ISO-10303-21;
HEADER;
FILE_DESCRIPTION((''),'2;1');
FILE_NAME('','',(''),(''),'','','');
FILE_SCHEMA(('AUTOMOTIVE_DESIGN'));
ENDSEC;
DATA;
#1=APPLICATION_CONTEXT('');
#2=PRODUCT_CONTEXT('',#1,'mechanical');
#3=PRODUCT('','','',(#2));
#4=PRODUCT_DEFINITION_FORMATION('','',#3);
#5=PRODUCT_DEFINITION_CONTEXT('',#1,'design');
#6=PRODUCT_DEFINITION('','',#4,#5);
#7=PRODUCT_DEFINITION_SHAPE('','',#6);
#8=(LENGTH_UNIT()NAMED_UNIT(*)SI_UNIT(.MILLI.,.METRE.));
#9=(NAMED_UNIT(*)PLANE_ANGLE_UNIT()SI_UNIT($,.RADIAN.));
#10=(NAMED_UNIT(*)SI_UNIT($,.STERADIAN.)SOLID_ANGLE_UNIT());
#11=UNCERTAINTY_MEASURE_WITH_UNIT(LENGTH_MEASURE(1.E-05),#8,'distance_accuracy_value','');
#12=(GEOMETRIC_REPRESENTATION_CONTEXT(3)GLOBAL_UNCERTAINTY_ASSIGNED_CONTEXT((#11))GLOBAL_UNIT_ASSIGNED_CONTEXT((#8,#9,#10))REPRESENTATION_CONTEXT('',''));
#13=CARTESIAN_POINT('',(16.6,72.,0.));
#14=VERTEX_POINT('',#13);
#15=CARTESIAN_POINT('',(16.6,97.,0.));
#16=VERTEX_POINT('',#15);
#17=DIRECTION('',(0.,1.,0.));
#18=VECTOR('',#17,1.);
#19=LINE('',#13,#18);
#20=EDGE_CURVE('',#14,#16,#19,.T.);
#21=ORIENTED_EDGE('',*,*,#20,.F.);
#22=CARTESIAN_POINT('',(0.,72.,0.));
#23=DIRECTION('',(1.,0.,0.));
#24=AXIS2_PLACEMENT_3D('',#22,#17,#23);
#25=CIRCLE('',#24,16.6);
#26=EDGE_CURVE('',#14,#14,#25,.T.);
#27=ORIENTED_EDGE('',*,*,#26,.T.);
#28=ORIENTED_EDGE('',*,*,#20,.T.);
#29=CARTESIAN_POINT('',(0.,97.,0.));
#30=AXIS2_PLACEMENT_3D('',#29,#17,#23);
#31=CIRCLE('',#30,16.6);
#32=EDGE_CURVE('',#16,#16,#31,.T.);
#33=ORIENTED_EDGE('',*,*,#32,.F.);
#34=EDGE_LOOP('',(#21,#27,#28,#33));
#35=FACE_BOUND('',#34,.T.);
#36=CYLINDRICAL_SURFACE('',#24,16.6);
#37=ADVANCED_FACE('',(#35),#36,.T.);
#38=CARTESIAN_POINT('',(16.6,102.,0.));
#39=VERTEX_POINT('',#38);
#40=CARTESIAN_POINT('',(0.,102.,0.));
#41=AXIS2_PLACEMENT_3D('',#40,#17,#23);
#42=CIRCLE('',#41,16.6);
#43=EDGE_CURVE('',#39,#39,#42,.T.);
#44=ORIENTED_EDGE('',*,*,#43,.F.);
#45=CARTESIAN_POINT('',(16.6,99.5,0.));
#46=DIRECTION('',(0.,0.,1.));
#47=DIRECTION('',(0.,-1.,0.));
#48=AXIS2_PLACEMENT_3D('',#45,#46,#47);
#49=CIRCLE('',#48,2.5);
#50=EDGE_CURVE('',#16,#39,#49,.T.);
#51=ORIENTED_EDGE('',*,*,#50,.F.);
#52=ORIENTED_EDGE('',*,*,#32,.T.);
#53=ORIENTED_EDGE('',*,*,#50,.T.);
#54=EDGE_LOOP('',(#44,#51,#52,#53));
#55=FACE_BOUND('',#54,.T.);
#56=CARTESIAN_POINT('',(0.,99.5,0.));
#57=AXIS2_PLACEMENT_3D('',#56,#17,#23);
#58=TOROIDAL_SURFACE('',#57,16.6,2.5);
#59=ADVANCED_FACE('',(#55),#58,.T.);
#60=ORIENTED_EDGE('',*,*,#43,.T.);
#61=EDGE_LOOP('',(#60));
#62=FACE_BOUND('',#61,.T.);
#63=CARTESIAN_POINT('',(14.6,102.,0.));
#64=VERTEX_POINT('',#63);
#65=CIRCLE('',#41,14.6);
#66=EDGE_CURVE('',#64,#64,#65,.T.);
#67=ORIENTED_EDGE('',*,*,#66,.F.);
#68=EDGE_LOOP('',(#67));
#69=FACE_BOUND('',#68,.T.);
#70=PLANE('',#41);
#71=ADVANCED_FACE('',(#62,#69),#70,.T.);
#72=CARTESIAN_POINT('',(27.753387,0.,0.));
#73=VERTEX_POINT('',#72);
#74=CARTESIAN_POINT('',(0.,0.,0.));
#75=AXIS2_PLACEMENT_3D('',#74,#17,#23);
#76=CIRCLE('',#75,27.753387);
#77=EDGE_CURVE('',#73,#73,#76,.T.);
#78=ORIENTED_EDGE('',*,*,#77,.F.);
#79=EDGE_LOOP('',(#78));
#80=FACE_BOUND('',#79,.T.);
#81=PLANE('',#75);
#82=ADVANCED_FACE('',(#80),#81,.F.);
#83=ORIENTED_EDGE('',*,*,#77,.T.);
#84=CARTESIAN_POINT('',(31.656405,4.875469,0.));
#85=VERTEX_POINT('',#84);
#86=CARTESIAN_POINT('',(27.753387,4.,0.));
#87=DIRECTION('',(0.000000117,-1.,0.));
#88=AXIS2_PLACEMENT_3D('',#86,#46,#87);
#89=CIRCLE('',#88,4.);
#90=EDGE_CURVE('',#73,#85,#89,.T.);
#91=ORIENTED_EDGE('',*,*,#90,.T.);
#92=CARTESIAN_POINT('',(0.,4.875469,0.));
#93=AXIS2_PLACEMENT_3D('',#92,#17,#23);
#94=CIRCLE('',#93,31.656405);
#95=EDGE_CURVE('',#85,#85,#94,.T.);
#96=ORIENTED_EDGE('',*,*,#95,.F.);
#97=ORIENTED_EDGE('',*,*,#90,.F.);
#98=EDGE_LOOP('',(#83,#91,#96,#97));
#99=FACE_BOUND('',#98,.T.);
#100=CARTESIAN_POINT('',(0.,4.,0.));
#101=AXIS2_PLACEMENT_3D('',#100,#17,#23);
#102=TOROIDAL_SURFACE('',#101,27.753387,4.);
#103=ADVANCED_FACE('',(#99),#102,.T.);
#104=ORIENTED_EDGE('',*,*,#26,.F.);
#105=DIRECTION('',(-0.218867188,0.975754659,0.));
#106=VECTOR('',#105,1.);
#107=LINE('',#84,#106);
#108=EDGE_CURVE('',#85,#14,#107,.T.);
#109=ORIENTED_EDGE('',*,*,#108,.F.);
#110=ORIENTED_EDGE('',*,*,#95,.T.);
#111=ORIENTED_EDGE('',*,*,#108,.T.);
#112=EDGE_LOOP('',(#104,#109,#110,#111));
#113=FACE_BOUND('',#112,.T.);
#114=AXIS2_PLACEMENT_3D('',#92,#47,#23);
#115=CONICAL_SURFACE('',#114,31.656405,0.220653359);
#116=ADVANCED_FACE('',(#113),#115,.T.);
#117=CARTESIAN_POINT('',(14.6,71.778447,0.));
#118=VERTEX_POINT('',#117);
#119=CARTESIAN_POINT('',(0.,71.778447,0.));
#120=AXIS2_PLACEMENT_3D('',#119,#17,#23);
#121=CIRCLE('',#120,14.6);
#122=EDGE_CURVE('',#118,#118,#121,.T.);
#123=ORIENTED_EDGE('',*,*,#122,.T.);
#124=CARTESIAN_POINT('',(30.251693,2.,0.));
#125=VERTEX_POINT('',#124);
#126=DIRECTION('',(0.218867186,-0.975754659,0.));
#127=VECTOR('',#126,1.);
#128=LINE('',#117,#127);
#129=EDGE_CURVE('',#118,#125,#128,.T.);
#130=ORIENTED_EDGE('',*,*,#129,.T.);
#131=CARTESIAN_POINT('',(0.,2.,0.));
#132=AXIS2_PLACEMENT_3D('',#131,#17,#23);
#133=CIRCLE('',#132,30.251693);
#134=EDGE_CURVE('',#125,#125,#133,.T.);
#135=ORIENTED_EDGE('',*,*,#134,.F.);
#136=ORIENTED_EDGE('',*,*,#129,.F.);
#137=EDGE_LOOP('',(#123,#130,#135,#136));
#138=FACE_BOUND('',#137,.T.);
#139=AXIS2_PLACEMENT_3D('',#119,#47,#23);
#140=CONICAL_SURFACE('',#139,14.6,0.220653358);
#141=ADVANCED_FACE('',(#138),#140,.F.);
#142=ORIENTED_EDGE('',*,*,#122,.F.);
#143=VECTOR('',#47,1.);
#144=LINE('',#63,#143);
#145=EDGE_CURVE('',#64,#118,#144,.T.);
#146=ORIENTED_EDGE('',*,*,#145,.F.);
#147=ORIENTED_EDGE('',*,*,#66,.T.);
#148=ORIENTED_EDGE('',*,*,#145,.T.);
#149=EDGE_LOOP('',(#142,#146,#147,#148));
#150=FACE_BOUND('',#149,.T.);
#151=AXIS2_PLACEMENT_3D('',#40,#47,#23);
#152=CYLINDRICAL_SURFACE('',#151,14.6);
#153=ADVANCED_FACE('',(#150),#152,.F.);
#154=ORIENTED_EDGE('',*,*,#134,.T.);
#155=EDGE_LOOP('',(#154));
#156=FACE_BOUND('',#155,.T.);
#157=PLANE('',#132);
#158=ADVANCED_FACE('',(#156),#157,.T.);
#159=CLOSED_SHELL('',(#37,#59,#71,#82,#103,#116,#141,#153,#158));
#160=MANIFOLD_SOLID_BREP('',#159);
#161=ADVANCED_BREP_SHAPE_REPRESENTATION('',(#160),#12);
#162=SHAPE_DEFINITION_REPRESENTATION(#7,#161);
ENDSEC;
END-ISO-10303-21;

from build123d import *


with BuildPart() as f1:
    # F0 (on Top) → F1 (revolve)
    with BuildSketch(Plane.XY):
        with BuildLine():
            ThreePointArc((27.753387, 0), (30.876036, 1.500188), (31.656405, 4.875469))
            Line((31.656405, 4.875469), (16.6, 72))
            Line((16.6, 72), (16.6, 97))
            ThreePointArc((16.6, 97), (19.1, 99.5), (16.6, 102))
            Line((16.6, 102), (14.6, 102))
            Line((14.6, 102), (14.6, 71.778447))
            Line((14.6, 71.778447), (30.251693, 2))
            Line((30.251693, 2), (0, 2))
            Line((0, 2), (0, 0))
            Line((0, 0), (27.753387, 0))
        make_face()
    revolve(axis=Axis((0, 18.507346, 0), (0, 1, 0)))


solid = f1.part
